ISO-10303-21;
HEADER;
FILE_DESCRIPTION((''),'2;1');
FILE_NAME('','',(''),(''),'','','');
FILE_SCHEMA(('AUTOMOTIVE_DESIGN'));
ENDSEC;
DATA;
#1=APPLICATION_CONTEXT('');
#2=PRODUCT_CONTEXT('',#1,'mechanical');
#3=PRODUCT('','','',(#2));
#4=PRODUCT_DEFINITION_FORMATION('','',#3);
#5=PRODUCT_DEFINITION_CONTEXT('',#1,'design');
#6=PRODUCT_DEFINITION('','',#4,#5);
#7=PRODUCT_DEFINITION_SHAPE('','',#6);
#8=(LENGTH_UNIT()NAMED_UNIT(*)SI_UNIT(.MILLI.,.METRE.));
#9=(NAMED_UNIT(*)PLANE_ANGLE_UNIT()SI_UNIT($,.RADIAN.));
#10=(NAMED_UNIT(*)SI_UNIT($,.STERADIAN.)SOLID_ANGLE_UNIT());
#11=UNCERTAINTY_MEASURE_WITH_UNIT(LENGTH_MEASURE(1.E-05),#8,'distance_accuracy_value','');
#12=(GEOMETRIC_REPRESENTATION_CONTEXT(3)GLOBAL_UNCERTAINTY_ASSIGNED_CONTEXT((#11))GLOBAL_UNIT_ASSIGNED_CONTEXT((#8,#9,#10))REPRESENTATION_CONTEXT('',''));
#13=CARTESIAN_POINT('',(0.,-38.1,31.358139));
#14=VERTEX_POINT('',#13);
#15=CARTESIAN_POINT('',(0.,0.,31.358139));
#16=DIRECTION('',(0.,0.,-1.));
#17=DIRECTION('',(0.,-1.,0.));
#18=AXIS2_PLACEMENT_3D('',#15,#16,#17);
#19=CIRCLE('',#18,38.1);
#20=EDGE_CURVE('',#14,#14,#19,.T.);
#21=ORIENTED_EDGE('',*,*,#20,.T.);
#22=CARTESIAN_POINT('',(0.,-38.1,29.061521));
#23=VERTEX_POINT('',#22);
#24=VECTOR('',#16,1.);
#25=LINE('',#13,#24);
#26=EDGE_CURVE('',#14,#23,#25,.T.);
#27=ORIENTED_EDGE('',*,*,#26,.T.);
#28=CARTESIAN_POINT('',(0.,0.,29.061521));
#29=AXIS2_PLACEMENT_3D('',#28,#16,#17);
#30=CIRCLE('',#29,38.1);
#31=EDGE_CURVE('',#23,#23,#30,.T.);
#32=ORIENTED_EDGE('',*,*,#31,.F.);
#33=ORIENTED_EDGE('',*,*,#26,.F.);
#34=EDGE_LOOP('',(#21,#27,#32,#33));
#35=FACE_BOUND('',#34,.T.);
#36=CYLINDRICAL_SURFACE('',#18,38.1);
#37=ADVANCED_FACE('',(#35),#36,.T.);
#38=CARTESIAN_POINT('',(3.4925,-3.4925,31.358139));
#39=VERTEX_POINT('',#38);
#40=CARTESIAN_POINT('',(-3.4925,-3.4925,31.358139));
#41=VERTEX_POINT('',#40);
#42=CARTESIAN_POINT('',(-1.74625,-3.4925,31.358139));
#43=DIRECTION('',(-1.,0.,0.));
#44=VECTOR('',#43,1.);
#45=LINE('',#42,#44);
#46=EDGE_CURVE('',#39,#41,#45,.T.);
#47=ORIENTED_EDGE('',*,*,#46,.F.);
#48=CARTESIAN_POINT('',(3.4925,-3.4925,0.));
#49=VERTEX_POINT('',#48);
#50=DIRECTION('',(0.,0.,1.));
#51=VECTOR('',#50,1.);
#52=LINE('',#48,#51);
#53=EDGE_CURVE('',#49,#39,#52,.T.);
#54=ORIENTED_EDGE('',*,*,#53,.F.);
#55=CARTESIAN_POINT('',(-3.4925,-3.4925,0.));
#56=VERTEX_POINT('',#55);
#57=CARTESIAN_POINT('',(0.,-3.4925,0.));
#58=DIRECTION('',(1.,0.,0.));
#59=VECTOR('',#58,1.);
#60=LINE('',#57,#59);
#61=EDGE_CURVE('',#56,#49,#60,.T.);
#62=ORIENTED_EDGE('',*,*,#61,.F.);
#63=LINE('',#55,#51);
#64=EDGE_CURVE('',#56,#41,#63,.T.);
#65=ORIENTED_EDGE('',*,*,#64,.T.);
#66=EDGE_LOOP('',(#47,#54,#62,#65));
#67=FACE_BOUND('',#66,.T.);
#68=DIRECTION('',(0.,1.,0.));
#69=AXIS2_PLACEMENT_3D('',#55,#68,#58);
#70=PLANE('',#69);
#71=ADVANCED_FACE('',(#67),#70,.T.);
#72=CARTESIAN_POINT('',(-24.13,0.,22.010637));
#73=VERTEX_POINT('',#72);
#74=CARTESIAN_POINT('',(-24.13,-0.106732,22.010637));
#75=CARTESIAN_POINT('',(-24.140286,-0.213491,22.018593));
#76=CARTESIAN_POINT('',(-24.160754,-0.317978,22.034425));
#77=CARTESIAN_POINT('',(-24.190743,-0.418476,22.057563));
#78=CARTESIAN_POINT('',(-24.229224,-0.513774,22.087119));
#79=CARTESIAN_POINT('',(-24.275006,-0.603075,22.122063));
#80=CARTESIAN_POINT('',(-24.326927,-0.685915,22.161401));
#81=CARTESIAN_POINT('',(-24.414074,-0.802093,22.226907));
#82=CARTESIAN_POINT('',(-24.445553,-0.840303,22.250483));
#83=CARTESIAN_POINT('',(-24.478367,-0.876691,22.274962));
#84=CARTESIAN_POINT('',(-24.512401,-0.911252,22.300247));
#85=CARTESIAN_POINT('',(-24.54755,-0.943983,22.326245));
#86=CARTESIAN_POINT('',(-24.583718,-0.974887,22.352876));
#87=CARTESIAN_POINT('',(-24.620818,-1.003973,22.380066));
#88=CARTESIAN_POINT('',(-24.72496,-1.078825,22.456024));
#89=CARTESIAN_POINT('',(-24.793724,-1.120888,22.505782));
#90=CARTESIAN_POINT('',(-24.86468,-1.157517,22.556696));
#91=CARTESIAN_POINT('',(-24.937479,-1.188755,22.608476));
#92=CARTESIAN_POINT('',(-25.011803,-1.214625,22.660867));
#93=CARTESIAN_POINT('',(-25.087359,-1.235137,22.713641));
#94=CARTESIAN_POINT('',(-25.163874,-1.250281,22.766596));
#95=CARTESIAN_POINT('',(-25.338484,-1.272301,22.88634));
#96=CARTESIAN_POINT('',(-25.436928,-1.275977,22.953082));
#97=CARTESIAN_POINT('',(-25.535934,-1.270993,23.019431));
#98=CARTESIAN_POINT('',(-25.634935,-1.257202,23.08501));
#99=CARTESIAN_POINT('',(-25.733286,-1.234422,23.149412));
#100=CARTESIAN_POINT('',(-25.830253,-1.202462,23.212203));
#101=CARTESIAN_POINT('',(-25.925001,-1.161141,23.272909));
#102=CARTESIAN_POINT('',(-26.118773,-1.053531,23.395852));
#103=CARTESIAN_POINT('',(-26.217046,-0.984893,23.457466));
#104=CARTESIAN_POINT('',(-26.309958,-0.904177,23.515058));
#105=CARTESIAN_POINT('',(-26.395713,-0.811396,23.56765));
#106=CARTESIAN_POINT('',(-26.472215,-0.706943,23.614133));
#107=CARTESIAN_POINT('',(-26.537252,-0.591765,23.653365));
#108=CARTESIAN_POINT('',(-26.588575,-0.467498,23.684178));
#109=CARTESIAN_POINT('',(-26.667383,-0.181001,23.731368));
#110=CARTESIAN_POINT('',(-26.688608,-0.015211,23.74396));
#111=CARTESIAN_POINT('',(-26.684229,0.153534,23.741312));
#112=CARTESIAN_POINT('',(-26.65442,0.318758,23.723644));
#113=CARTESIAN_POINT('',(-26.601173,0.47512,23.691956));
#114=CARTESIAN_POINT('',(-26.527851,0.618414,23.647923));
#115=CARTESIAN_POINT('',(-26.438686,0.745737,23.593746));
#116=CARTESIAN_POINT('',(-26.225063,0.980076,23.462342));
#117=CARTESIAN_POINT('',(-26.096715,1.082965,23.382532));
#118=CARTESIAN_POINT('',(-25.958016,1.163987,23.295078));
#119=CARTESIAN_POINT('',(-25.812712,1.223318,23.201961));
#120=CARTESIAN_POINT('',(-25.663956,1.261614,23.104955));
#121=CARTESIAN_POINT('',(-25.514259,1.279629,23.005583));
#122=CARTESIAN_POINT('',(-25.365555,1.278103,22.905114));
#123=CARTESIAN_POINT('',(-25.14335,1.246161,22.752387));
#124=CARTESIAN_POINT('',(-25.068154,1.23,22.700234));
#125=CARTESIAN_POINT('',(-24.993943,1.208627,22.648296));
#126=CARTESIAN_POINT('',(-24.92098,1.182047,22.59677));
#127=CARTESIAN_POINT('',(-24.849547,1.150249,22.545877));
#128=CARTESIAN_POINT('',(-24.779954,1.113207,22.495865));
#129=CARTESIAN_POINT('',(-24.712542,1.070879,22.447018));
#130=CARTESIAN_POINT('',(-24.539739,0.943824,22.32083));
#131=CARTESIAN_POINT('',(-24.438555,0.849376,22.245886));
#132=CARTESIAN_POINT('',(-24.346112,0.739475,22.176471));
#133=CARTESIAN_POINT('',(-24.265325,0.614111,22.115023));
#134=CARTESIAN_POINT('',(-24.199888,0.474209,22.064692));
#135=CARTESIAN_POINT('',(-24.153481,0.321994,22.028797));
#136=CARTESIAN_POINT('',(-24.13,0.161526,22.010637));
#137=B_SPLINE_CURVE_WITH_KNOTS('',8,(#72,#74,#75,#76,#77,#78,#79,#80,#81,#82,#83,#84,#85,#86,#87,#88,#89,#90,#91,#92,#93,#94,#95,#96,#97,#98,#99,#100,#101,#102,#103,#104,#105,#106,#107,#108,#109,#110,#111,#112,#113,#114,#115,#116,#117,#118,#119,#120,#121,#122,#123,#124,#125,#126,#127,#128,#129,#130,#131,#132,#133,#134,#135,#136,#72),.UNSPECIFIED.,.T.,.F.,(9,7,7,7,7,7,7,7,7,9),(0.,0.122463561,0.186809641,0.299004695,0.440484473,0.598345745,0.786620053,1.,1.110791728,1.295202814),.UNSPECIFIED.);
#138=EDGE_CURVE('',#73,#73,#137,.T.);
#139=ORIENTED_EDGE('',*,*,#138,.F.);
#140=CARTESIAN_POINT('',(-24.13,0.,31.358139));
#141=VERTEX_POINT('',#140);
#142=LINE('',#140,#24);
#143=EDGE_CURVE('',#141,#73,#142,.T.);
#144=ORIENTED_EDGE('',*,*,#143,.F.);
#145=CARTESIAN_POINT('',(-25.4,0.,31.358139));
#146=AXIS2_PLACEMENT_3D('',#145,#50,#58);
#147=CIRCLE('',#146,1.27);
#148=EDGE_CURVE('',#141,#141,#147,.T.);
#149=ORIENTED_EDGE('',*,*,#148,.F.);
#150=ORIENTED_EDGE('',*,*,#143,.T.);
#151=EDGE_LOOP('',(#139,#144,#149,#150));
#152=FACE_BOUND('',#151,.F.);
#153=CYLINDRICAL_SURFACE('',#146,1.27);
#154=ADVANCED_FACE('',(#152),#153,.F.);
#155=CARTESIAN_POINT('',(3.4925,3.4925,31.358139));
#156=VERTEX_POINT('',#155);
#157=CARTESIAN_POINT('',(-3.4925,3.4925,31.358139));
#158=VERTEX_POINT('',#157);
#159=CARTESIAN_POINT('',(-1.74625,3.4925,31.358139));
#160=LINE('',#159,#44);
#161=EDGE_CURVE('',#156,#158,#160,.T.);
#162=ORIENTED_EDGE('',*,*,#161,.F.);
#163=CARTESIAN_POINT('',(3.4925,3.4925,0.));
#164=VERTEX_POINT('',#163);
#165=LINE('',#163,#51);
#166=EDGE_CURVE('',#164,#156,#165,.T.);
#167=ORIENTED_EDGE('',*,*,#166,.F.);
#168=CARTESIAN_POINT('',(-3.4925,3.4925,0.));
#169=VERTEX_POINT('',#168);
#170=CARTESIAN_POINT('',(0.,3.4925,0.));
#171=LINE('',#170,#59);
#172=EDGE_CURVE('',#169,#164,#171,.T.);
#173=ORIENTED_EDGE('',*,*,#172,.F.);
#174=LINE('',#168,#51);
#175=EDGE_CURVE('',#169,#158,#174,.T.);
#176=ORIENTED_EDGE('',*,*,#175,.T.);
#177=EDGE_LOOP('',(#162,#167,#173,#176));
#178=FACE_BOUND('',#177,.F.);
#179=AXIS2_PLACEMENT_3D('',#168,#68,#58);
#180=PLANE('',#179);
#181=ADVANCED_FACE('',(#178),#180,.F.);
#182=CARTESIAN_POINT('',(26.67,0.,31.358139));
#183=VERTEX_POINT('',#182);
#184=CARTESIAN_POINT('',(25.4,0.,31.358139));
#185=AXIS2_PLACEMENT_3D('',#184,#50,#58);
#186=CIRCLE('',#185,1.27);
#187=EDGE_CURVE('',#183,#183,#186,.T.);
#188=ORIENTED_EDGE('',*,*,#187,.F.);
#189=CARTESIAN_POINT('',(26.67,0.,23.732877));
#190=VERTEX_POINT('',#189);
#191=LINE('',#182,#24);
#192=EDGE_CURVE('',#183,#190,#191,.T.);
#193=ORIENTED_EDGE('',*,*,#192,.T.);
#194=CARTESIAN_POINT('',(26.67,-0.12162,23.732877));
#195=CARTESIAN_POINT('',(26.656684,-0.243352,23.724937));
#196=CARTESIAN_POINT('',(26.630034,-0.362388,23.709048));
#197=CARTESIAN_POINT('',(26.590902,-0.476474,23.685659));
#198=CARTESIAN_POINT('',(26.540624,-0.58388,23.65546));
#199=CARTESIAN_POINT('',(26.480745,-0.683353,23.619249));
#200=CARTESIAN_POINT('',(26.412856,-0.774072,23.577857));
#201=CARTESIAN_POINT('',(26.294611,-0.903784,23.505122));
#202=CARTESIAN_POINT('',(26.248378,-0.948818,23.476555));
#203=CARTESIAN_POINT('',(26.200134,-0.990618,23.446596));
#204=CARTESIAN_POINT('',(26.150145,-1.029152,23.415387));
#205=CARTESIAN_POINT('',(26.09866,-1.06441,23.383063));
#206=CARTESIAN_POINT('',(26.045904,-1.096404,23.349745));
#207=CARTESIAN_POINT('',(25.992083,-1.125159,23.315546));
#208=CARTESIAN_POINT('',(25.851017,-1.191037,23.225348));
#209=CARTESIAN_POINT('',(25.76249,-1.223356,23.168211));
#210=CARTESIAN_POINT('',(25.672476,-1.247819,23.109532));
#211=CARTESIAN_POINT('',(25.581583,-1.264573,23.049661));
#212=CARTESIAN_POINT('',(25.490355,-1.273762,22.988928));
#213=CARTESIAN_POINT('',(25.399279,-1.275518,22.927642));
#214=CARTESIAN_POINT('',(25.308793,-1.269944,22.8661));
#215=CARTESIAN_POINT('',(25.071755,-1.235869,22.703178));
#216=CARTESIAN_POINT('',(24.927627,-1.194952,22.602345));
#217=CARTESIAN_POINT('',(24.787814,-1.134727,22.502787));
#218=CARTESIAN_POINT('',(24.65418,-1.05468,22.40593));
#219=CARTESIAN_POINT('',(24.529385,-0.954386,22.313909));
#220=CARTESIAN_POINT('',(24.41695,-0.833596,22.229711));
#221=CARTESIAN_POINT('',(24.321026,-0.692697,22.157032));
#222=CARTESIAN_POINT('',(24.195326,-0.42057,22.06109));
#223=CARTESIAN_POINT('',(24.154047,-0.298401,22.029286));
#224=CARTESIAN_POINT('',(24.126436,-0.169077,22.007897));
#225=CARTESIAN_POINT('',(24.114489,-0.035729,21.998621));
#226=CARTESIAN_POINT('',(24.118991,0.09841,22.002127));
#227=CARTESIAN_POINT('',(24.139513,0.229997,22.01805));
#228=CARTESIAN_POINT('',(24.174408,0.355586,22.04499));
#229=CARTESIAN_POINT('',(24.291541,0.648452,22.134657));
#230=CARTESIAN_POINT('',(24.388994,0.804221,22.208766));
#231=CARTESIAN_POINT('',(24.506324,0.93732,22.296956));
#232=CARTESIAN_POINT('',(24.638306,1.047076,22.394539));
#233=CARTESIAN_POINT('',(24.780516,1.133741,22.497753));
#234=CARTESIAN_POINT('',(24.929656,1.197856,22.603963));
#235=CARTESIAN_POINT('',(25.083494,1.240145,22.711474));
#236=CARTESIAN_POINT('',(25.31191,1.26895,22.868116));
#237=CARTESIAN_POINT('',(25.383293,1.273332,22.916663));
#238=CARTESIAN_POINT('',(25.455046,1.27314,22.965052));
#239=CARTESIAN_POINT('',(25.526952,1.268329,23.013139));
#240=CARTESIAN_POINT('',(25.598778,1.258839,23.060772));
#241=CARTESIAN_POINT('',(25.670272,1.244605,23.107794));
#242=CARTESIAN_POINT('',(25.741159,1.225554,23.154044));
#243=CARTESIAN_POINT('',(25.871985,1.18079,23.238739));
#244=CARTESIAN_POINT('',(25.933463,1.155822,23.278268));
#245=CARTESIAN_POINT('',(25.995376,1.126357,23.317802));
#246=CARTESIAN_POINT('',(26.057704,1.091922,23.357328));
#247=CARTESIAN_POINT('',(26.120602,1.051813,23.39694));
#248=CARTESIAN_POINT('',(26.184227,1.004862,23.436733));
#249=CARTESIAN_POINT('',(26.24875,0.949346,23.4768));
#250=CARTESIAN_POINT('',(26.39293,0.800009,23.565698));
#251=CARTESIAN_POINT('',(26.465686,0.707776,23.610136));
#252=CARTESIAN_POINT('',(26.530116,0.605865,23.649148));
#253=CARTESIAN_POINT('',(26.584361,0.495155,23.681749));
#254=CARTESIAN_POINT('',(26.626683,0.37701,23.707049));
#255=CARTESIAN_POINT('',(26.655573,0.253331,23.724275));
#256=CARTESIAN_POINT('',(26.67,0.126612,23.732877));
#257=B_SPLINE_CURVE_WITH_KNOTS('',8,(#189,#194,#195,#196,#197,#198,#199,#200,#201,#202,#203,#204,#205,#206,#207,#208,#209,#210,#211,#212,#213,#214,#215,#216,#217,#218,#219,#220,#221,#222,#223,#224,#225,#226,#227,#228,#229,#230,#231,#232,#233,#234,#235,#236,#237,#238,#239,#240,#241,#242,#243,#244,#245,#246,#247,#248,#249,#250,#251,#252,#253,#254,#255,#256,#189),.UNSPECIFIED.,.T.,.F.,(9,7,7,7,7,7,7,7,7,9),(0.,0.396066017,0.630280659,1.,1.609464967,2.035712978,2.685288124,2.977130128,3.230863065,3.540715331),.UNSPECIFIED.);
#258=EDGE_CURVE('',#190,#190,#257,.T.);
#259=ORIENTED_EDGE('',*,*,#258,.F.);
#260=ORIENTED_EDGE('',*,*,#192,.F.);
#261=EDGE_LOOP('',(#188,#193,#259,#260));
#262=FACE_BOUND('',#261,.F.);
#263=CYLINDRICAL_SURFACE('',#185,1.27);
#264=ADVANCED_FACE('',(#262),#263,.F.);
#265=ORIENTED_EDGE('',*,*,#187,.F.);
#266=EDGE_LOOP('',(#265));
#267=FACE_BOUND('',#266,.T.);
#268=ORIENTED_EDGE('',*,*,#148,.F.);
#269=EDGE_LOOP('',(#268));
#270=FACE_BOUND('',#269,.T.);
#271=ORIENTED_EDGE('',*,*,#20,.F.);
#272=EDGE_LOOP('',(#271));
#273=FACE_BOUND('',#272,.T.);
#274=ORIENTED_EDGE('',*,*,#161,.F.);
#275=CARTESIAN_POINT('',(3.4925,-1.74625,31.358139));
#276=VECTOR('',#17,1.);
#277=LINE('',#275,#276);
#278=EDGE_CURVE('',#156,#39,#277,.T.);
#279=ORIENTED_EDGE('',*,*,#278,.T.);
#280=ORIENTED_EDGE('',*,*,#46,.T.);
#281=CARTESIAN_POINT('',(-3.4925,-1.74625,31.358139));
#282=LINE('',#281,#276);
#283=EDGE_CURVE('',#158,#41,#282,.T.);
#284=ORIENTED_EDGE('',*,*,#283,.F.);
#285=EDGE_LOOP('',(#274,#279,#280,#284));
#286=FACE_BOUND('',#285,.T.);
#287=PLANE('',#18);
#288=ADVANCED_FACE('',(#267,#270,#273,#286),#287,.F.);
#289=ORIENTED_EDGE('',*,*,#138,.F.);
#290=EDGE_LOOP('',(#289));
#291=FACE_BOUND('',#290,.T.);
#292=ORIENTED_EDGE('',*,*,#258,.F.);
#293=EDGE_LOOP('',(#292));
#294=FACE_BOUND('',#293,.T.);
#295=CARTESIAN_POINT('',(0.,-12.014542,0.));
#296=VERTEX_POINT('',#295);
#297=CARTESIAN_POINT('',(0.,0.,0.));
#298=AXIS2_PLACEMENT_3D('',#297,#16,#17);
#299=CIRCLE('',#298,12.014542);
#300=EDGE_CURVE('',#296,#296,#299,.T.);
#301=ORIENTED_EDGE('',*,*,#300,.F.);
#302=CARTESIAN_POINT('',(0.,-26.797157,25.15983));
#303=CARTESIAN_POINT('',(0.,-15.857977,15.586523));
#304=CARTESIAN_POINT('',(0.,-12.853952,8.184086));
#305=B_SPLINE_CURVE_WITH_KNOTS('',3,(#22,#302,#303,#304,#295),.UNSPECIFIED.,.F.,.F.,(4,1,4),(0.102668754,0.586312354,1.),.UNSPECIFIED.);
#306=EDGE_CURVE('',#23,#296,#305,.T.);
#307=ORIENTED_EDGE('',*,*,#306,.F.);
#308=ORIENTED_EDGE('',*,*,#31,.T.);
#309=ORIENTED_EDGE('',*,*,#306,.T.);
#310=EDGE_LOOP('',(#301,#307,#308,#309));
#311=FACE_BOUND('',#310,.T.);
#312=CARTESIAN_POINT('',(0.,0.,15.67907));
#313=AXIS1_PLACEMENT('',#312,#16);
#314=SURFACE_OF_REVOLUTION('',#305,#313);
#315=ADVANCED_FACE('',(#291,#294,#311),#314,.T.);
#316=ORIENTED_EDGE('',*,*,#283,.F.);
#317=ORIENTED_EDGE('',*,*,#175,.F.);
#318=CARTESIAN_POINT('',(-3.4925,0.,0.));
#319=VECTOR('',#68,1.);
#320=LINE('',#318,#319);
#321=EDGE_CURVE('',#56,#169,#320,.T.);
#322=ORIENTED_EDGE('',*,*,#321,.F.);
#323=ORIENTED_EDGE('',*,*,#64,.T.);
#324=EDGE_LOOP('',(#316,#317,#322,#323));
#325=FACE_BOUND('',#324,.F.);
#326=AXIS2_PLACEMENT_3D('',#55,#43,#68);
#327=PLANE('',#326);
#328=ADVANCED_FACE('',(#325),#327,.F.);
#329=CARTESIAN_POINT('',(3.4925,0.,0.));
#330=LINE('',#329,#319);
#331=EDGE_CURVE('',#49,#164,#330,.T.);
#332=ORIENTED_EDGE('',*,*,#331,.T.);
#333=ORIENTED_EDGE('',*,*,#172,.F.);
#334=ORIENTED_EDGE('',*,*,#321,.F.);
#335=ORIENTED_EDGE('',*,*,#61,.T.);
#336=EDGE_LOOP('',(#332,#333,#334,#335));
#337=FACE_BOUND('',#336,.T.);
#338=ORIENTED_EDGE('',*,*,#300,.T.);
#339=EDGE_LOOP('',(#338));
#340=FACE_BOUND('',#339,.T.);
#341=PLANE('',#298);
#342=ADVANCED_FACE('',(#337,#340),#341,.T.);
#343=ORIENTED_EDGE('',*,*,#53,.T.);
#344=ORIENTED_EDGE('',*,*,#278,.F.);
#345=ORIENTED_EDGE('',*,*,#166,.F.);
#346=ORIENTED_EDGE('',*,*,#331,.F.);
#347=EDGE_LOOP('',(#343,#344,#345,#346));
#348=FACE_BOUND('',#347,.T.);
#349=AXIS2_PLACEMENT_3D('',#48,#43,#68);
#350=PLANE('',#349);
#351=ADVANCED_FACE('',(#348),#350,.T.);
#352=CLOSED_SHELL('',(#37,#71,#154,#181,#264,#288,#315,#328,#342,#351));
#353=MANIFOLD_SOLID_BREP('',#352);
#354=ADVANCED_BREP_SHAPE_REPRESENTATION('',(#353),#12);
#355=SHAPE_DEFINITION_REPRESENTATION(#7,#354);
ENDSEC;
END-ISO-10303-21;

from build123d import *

# Parameters (mm, degrees)
F2_W     = 6.985
F2_H     = 6.985
F3_DEPTH = 31.3591392294
F4_R     = 1.27
F5_DEPTH = 31.3591393294


with BuildPart() as f1:
    # F0 (on Right) → F1 (revolve)
    with BuildSketch(Plane.YZ):
        with BuildLine():
            Line((0, 0), (0, 31.3581392294))
            Line((0, 31.3581392294), (-38.1, 31.3581392294))
            Line((-38.1, 31.3581392294), (-38.1, 29.0615208854))
            add(Edge.make_bspline(
                [(-38.1, 29.0615208854), (-26.7971571911, 25.1598302044), (-15.8579765578, 15.5865226046), (-12.8539522067, 8.1840861578), (-12.014542318, 0)],
                knots=[0.1026687543, 0.1026687543, 0.1026687543, 0.1026687543, 0.586312354, 1, 1, 1, 1], degree=3))
            Line((-12.014542318, 0), (0, 0))
        make_face()
    revolve(axis=Axis((0, 0, 15.6790696147), (0, 0, -1)))

    # F2 (on Top) → F3 (cut, through all)
    with BuildSketch(Plane.XY):
        Rectangle(F2_W, F2_H)
    extrude(amount=F3_DEPTH, mode=Mode.SUBTRACT)

    # F4 (on face) → F5 (cut, through all)
    with BuildSketch(Plane.XY.offset(31.3581392294)):
        with Locations((-25.4, 0)):
            Circle(F4_R)
        with Locations((25.4, 0)):
            Circle(F4_R)
    extrude(amount=-F5_DEPTH, mode=Mode.SUBTRACT)


solid = f1.part
